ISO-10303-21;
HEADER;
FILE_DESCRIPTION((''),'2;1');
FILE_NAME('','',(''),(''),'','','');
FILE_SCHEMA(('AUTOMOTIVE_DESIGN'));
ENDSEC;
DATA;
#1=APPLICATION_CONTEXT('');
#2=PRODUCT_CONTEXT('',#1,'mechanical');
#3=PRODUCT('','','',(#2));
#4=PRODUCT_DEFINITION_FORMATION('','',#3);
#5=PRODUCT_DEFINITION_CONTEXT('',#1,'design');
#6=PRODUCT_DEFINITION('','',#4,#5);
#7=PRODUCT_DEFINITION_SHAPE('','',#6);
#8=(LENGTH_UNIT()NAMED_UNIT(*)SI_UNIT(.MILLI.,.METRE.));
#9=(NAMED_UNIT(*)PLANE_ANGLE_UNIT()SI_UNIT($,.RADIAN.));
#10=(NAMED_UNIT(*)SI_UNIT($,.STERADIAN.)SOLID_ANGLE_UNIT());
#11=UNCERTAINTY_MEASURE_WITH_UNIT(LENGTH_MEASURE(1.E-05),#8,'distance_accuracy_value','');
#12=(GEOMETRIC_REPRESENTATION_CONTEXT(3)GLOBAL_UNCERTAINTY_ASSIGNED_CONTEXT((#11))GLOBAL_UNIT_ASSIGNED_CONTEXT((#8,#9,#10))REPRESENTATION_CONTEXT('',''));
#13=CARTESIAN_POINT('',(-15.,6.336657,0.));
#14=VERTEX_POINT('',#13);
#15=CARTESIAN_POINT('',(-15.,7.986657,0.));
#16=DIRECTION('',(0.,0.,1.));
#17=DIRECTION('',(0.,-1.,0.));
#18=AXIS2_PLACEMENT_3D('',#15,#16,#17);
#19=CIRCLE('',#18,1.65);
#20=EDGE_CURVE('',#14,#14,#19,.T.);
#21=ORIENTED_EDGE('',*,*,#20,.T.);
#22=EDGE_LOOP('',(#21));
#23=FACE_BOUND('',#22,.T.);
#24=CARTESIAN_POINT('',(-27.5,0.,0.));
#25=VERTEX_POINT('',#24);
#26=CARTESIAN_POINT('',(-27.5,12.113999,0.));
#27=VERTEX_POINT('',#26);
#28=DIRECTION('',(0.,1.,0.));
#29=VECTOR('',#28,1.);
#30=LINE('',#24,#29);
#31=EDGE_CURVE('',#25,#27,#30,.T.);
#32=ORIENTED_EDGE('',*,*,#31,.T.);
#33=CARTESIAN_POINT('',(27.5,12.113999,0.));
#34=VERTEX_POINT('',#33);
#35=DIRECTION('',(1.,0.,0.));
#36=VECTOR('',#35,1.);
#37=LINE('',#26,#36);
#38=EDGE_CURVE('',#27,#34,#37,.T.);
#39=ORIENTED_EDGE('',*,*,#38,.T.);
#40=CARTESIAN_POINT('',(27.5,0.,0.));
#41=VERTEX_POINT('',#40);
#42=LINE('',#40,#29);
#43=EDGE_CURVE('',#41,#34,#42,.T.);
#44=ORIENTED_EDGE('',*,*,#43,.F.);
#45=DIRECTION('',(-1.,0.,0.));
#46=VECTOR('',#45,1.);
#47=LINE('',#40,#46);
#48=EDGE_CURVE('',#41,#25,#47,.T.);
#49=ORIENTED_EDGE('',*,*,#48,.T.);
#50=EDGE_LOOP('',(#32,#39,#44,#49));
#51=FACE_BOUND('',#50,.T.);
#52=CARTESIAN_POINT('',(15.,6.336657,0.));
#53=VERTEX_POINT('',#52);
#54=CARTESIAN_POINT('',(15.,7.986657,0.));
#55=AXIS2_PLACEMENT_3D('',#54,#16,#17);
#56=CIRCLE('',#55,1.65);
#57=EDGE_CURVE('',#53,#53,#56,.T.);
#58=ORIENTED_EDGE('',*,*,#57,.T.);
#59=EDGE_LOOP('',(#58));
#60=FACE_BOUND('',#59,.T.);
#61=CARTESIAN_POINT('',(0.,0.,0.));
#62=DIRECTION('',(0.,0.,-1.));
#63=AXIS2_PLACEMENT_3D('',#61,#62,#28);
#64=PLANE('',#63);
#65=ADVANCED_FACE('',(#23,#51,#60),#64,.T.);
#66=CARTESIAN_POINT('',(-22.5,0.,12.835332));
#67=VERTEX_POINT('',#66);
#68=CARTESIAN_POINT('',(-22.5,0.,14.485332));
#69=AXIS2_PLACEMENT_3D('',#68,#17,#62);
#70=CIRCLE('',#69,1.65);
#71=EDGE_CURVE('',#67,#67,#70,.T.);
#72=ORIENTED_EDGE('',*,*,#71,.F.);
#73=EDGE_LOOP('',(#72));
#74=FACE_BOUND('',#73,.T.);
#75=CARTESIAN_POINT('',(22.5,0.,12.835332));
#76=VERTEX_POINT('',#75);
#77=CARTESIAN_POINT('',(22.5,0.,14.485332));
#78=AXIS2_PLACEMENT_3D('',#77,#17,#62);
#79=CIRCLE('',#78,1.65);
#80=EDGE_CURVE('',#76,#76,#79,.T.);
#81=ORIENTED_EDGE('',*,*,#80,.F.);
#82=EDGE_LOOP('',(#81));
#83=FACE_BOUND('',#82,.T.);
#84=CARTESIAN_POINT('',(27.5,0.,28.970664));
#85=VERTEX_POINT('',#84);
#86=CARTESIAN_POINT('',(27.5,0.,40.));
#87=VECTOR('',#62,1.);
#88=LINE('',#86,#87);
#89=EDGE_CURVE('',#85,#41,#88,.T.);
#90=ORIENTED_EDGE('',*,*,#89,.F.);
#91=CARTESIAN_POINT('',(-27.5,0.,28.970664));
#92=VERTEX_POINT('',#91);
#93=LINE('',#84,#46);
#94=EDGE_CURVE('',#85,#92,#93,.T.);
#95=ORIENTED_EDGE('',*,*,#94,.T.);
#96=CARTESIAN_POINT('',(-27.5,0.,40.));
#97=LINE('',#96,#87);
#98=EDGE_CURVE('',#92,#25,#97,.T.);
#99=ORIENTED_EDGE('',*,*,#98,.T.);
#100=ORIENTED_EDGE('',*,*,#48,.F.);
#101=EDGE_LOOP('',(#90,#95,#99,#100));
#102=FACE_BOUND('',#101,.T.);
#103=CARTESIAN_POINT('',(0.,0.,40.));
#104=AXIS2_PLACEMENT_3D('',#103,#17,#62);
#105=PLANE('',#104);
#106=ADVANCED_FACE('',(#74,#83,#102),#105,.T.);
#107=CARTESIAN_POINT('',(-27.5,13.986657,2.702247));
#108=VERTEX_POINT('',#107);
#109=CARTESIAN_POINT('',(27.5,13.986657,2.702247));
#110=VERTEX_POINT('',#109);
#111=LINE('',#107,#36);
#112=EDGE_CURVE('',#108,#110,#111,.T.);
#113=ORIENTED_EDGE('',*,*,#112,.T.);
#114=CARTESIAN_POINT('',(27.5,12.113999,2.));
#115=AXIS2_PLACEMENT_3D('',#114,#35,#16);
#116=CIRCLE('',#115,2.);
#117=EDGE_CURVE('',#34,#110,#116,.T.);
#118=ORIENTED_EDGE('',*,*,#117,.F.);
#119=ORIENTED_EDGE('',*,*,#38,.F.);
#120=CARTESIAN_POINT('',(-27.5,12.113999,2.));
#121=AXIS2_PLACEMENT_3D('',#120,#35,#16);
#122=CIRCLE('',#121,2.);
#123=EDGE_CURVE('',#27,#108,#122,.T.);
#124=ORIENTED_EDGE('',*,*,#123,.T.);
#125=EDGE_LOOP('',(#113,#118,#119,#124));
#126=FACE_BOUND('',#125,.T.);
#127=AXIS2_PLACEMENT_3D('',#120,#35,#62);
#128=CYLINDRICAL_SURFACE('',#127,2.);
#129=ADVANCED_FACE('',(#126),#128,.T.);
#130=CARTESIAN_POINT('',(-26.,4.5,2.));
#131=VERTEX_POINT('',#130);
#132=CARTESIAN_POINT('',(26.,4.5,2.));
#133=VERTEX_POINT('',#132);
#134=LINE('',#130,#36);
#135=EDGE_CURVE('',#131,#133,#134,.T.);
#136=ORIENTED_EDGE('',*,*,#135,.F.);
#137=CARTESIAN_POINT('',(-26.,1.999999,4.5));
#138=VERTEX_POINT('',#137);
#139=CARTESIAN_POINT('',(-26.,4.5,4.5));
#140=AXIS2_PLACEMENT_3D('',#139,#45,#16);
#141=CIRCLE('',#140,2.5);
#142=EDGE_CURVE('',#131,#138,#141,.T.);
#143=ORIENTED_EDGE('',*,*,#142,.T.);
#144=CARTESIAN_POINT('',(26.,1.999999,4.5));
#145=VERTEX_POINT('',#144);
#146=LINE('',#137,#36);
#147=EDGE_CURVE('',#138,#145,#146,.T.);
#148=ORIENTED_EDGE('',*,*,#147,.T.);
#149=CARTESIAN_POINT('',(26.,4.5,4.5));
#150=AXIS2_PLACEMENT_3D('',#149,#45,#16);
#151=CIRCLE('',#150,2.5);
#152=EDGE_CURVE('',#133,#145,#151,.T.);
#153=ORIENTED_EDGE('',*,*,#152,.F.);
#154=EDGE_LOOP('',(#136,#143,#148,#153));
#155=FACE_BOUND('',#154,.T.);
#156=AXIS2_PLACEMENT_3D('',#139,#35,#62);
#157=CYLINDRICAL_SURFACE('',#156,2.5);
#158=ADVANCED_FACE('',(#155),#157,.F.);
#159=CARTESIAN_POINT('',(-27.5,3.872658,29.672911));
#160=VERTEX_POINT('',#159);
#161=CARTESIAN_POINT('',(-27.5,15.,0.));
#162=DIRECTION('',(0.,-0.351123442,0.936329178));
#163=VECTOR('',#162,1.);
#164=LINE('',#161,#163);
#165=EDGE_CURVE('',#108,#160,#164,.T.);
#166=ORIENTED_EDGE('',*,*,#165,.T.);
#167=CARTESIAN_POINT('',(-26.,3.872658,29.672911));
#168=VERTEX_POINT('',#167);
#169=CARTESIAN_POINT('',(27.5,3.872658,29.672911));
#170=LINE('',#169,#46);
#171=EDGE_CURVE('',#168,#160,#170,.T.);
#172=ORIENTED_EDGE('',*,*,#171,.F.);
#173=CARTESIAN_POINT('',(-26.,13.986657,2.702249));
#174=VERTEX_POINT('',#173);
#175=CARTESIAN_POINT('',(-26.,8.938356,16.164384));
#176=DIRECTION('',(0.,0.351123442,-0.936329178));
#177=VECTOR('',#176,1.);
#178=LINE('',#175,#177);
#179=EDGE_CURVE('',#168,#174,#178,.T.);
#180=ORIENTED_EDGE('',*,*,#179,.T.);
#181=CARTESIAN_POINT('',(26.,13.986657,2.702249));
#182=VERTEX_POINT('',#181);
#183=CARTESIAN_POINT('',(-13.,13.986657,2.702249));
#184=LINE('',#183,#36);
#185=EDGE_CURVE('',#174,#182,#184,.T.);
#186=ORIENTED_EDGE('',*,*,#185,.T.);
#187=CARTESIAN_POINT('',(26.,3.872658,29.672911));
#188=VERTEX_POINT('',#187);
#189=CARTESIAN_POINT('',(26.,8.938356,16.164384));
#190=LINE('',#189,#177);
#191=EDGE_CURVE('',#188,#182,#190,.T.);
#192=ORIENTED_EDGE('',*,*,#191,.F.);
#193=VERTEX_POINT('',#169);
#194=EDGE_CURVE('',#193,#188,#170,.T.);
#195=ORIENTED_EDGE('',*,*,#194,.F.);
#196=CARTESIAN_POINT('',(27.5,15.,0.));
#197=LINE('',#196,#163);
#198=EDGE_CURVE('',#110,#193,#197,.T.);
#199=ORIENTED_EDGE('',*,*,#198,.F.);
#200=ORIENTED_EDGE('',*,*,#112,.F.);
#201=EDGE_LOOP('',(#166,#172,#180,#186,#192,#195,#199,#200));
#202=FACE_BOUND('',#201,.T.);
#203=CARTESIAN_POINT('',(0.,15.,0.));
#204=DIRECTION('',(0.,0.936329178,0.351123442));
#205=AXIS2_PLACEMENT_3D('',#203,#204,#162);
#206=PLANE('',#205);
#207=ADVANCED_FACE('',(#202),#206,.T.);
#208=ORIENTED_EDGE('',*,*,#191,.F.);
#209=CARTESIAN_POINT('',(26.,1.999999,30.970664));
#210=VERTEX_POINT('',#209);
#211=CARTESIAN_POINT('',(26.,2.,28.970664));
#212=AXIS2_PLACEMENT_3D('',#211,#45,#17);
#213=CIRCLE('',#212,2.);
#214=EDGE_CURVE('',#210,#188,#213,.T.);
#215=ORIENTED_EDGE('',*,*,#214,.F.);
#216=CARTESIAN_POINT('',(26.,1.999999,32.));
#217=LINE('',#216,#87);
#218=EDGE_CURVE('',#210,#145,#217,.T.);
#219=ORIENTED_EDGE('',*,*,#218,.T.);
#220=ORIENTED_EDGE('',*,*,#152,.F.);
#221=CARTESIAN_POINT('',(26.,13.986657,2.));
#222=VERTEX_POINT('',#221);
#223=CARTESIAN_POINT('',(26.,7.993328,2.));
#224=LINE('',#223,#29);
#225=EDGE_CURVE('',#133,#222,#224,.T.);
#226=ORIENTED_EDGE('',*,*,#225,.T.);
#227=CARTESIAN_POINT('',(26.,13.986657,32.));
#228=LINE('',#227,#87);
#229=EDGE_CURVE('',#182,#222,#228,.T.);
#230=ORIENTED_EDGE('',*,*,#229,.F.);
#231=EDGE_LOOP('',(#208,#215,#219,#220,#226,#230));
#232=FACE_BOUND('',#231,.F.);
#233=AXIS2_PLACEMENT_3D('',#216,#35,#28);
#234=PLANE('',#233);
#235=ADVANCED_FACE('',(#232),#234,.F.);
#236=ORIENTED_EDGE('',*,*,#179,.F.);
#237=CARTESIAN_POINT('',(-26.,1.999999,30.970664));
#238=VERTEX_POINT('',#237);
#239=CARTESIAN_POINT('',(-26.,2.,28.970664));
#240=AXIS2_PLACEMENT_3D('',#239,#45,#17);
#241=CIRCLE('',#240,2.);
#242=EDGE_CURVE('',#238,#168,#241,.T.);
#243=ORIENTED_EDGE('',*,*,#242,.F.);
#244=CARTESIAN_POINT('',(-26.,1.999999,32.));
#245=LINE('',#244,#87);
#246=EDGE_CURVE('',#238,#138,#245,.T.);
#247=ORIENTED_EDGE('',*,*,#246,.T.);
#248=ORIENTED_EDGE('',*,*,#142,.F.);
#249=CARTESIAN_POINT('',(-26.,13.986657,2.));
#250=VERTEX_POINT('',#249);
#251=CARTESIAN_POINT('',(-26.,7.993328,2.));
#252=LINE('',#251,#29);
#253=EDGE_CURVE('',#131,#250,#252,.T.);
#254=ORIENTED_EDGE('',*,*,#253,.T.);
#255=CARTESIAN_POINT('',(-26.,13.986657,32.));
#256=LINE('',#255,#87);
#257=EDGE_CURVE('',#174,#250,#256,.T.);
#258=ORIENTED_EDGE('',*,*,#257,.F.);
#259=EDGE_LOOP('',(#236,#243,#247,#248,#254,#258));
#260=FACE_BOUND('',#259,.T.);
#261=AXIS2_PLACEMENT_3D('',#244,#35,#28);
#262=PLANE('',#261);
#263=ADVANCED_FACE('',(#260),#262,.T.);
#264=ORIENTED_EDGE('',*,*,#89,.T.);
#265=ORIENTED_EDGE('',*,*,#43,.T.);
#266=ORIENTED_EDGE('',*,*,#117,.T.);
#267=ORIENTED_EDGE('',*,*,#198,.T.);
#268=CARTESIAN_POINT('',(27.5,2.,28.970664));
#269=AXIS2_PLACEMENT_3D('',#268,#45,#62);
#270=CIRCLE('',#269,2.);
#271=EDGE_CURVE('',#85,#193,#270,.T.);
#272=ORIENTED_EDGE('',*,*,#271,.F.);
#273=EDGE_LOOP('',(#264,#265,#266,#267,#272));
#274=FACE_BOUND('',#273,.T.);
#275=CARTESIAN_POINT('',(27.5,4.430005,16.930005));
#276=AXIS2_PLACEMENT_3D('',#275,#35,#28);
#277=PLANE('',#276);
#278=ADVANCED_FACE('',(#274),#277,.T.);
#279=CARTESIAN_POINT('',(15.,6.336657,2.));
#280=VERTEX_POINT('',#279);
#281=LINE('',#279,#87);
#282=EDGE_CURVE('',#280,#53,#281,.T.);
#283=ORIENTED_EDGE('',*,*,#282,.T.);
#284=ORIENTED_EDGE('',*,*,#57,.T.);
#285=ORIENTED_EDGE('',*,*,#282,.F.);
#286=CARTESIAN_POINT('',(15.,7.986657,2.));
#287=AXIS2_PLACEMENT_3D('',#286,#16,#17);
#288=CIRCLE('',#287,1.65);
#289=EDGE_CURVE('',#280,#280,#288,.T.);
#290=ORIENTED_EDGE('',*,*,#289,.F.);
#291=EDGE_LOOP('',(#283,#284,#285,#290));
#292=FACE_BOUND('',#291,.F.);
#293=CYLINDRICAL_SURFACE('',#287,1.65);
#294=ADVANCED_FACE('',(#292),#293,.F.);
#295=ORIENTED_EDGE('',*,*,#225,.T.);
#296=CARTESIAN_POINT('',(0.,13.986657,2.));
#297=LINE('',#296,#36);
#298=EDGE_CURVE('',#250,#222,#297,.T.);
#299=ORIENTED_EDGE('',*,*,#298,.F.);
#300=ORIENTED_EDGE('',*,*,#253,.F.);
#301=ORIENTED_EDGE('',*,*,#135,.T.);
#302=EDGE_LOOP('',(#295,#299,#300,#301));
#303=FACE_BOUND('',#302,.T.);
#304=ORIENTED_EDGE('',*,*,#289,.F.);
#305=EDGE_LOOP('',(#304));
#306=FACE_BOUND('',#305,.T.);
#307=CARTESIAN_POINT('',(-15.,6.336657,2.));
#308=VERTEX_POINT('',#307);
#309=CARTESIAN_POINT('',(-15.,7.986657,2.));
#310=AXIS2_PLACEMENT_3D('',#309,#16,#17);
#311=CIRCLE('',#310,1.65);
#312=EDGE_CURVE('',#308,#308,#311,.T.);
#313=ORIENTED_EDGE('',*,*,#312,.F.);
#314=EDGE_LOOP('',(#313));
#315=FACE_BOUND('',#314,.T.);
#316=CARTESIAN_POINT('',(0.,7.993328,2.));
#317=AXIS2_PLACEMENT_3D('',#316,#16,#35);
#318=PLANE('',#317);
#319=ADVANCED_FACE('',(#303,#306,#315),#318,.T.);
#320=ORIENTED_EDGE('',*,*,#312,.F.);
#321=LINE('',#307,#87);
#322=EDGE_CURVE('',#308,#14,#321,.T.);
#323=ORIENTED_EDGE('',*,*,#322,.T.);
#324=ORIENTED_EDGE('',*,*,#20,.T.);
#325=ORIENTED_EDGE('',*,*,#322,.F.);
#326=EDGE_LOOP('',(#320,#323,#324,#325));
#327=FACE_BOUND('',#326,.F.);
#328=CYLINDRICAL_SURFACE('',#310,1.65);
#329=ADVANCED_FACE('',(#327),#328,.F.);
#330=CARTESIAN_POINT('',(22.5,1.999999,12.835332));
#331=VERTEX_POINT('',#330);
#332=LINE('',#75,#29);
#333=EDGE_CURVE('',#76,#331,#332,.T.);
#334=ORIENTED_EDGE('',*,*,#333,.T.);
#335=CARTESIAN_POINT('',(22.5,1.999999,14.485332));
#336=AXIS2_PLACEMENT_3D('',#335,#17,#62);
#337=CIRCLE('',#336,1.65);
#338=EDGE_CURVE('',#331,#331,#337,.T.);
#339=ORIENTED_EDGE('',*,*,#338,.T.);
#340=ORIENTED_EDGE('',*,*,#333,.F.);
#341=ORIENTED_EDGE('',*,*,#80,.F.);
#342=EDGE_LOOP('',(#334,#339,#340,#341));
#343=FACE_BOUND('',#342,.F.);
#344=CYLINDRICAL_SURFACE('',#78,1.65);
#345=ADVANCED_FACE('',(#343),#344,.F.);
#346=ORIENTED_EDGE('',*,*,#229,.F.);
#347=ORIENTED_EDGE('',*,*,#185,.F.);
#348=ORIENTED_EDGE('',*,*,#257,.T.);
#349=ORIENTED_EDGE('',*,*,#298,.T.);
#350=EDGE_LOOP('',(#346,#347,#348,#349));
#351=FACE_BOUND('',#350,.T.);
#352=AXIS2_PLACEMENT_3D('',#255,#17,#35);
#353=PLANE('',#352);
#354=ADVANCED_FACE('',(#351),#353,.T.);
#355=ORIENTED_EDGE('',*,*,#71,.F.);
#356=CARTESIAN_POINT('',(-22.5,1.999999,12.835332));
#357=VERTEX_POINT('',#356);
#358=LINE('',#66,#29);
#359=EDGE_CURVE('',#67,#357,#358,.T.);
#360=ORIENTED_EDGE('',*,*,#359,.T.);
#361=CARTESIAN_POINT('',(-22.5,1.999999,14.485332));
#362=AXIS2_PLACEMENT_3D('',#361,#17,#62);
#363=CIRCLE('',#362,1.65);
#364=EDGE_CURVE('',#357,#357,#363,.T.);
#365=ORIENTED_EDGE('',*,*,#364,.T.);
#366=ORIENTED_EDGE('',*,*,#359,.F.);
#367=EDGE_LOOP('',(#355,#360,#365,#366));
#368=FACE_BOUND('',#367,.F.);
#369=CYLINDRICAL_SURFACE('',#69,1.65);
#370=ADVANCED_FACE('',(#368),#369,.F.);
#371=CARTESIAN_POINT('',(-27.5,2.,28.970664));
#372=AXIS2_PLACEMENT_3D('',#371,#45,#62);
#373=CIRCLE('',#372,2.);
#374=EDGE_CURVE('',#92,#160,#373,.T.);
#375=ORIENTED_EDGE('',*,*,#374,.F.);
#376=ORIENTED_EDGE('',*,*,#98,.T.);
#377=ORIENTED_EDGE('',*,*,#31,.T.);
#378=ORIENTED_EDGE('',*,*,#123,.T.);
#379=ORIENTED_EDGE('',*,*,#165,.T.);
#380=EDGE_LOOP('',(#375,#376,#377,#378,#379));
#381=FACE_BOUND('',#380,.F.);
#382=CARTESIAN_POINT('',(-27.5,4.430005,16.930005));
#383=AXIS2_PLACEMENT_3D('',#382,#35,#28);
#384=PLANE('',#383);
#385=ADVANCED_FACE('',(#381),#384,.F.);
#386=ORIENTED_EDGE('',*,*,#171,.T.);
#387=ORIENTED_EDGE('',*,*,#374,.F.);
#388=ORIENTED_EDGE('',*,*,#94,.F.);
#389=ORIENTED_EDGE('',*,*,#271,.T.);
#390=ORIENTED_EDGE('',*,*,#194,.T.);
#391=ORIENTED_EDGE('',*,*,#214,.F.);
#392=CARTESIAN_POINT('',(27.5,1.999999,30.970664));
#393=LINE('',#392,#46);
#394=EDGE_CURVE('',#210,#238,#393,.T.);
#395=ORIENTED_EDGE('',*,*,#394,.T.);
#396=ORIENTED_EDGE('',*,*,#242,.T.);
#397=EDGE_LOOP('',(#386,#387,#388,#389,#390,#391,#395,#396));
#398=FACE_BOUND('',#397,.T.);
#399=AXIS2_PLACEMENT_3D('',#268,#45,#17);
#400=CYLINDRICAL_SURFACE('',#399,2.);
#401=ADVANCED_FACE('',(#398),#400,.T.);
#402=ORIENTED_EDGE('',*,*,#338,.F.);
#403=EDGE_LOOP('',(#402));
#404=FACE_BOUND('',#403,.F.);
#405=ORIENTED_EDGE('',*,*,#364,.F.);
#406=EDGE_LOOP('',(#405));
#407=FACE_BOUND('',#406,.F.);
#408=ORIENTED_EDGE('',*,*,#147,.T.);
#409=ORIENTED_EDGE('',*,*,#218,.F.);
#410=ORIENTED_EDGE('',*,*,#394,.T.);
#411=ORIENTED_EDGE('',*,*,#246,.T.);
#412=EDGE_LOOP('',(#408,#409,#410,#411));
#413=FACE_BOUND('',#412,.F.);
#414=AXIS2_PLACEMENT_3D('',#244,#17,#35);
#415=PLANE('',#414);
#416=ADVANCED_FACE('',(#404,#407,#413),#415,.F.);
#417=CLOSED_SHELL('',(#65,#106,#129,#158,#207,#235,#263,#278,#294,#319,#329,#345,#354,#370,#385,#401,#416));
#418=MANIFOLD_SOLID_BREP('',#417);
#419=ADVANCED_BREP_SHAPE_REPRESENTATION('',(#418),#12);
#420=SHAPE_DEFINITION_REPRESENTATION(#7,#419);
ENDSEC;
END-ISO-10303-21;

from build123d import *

# Parameters (mm, degrees)
PAD_DEPTH       = 27.5
PAD_DEPTH_BACK  = 27.5
FILLET_R        = 2
SKETCH001_W     = 52
SKETCH001_H     = 11.986657
POCKET_DEPTH    = 30
SKETCH002_R     = 1.65
POCKET001_DEPTH = 14.114999
SKETCH003_R     = 1.65
POCKET002_DEPTH = 2.001
FILLET001_R     = 2.5


with BuildPart() as part:
    # Sketch → Pad (new body, two sides)
    with BuildSketch(Plane.YZ) as pad_sk:
        Polygon((0, 0), (15, 0), (0, 40), align=None)
    extrude(amount=PAD_DEPTH)
    extrude(pad_sk.sketch, amount=-PAD_DEPTH_BACK)

    # Fillet
    fillet_edges = [part.edges().sort_by_distance(p)[0] for p in [
        (0, 0, 40),
        (0, 15, 0),
    ]]
    fillet(fillet_edges, radius=FILLET_R)

    # Sketch001 (on DatumPlane) → Pocket (cut)
    with BuildSketch(Plane.XY.offset(32)):
        with Locations((0, 7.993328)):
            Rectangle(SKETCH001_W, SKETCH001_H)
    extrude(amount=-POCKET_DEPTH, mode=Mode.SUBTRACT)

    # Sketch002 (on Face4 of Pocket) → Pocket001 (cut, through all)
    with BuildSketch(Plane(origin=(0, 0, 0), x_dir=(0, 0, -1), z_dir=(0, -1, 0))):
        with Locations((-14.485332, 22.5)):
            Circle(SKETCH002_R)
        with Locations((-14.485332, -22.5)):
            Circle(SKETCH002_R)
    extrude(amount=-POCKET001_DEPTH, mode=Mode.SUBTRACT)

    # Sketch003 (on Face15 of Pocket001) → Pocket002 (cut, through all)
    with BuildSketch(Plane(origin=(0, 0, 2), x_dir=(0, -1, 0), z_dir=(0, 0, 1))):
        with Locations((-7.986657, 15)):
            Circle(SKETCH003_R)
        with Locations((-7.986657, -15)):
            Circle(SKETCH003_R)
    extrude(amount=-POCKET002_DEPTH, mode=Mode.SUBTRACT)

    # Fillet001
    fillet001_edges = [part.edges().sort_by_distance(p)[0] for p in [
        (0, 2, 2),
    ]]
    fillet(fillet001_edges, radius=FILLET001_R)


solid = part.part
